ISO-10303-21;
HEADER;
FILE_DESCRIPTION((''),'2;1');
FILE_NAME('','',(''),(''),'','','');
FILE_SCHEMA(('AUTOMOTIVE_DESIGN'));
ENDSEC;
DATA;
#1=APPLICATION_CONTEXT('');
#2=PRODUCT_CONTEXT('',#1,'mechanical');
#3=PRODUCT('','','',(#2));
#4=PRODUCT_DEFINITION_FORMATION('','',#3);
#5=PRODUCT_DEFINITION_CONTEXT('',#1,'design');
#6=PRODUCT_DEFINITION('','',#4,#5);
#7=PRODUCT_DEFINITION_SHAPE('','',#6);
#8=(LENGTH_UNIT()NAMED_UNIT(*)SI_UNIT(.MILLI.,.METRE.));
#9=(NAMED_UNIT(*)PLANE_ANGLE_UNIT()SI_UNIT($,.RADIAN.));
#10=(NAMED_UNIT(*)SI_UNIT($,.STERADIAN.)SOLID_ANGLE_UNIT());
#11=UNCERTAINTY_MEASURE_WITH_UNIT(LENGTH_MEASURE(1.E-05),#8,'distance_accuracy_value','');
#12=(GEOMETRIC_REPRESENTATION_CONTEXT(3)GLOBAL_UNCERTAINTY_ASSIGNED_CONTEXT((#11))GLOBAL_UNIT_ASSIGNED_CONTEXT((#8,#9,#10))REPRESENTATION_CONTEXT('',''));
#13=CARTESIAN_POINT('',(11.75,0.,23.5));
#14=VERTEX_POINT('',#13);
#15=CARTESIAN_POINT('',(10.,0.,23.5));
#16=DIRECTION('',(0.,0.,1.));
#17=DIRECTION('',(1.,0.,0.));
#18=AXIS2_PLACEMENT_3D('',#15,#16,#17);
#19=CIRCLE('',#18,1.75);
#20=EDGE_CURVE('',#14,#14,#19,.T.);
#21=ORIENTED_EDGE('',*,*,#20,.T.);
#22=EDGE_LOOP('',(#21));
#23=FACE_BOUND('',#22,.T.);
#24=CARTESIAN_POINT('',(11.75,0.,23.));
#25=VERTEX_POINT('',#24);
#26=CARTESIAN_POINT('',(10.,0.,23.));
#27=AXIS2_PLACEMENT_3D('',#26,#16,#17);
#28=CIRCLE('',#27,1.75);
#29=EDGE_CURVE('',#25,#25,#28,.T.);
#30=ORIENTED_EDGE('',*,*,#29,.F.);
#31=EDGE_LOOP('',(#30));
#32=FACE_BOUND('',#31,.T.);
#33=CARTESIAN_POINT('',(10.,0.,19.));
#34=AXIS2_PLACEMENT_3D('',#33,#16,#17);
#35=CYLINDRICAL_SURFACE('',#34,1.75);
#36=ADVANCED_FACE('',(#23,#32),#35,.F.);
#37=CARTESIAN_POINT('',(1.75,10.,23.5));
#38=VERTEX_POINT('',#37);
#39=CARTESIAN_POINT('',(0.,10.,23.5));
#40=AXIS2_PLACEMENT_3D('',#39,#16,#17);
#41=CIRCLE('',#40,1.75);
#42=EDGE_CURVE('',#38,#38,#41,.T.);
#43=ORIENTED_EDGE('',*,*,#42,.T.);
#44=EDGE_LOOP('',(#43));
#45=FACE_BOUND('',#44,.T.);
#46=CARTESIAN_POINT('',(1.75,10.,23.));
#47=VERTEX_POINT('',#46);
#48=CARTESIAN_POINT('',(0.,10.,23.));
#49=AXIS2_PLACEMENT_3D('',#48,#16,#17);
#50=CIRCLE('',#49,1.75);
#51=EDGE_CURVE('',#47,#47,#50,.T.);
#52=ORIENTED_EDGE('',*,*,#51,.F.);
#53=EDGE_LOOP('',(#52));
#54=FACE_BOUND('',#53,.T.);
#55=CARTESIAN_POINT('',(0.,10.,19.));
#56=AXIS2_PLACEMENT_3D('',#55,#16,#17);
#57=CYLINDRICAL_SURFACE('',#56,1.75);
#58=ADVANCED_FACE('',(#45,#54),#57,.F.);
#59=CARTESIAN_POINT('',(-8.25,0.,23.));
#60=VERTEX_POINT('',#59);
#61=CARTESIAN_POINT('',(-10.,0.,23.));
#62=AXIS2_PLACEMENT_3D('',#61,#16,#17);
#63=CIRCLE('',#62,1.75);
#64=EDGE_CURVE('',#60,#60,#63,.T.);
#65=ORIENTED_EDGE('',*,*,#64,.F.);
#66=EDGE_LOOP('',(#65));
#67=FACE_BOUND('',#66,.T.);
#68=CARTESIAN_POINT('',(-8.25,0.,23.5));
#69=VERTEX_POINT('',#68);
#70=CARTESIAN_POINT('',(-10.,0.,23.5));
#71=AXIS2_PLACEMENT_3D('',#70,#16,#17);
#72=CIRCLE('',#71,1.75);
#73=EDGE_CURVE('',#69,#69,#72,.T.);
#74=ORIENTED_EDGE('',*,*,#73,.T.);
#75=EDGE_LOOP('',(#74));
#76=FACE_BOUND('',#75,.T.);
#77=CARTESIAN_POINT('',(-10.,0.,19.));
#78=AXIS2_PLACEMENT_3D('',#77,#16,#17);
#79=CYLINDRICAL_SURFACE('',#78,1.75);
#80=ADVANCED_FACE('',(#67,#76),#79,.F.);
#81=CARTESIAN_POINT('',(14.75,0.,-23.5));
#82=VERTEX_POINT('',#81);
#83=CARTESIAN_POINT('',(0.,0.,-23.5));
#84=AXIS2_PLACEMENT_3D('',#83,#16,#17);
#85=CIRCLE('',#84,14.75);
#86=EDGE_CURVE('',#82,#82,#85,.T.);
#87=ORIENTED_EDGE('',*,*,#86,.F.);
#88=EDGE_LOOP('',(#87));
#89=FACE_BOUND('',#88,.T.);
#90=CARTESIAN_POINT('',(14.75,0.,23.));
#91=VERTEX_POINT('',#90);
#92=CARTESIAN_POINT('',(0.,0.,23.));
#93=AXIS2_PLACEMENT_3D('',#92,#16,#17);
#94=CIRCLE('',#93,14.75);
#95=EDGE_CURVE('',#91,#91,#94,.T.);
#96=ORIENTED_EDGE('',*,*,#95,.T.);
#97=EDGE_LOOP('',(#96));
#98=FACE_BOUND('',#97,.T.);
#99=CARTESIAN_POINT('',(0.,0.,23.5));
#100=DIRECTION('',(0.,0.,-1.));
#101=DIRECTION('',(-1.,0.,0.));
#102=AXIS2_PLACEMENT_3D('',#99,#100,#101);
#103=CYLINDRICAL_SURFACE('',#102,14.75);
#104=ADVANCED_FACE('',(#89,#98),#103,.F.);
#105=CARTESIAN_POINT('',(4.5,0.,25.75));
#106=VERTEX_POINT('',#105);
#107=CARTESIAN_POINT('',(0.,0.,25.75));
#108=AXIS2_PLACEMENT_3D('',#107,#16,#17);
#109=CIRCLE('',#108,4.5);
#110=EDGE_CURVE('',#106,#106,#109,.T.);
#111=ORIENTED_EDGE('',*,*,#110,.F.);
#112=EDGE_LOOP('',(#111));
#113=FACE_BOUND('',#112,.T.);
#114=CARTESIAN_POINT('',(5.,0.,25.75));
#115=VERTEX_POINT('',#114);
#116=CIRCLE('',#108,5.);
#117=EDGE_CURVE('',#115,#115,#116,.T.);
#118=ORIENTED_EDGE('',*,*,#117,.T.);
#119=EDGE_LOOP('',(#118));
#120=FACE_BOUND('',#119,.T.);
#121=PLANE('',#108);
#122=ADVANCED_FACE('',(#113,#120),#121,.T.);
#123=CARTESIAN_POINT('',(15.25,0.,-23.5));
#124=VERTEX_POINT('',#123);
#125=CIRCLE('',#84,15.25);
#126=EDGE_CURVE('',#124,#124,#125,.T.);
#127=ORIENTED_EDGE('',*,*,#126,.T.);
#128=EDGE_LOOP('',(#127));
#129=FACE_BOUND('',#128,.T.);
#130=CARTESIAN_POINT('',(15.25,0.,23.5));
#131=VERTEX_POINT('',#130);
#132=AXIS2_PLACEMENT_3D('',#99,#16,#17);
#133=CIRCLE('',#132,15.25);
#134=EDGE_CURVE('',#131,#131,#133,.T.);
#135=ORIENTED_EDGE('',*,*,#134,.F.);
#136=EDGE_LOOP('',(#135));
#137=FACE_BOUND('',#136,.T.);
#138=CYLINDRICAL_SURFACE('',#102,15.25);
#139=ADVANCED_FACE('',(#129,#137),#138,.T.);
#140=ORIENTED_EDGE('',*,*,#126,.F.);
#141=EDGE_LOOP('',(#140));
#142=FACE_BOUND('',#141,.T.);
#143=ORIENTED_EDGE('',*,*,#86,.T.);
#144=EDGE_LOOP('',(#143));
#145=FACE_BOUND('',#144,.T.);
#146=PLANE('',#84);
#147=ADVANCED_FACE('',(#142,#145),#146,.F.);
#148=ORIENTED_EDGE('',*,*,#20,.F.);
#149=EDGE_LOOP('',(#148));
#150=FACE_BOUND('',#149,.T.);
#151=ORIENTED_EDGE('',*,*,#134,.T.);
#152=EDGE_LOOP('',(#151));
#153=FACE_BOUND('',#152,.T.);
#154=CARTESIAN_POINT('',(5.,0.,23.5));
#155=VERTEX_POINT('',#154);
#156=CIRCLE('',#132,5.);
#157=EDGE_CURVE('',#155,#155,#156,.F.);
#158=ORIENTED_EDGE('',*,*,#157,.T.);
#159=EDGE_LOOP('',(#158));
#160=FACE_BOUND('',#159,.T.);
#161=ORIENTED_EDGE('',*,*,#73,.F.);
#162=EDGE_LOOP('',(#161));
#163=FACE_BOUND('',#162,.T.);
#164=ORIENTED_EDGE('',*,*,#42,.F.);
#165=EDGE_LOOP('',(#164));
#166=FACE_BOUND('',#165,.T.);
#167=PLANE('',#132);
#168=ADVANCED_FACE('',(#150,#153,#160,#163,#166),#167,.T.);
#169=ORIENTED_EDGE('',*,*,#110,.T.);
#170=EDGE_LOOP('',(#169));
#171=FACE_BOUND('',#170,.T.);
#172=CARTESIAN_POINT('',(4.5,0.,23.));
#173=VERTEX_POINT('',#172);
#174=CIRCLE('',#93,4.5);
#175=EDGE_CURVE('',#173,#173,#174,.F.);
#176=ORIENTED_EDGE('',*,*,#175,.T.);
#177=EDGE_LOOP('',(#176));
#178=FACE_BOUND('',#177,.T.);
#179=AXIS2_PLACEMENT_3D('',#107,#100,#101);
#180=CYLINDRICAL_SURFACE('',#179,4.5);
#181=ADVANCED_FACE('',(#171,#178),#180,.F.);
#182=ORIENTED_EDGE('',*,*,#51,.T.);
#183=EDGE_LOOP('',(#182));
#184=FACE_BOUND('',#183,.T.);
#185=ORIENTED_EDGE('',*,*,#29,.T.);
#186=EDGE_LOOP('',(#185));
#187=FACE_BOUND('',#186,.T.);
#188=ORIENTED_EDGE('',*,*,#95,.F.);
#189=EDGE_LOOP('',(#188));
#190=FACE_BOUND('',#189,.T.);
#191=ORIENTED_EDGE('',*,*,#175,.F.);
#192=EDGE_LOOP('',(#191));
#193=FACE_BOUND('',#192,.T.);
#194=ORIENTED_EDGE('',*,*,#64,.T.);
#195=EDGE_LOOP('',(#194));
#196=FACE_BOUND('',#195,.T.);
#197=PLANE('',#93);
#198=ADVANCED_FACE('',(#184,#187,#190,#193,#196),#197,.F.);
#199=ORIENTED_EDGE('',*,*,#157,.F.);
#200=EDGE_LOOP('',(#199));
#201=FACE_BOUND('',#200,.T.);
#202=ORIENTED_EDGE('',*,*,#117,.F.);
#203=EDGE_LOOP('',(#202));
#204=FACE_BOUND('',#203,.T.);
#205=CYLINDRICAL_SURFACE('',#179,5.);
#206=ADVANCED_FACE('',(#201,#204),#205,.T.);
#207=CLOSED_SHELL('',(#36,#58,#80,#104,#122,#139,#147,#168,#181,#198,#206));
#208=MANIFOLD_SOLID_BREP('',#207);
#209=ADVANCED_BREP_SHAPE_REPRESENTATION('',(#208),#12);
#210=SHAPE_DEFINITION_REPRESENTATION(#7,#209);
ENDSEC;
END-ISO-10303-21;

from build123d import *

# Parameters (mm, degrees)
SKETCH1_R           = 15.25
BOSS_EXTRUDE1_DEPTH = 23.5
SKETCH2_R           = 5
BOSS_EXTRUDE2_DEPTH = 2.25
SHELL1_T            = -0.5
SKETCH3_R           = 1.75
CUT_EXTRUDE1_DEPTH  = 4.5


with BuildPart() as part:
    # Sketch1 → Boss-Extrude1 (new, symmetric)
    with BuildSketch(Plane.XY):
        Circle(SKETCH1_R)
    extrude(amount=BOSS_EXTRUDE1_DEPTH, both=True)

    # Sketch2 → Boss-Extrude2 (add, symmetric)
    with BuildSketch(Plane.XY.offset(23.5)):
        Circle(SKETCH2_R)
    extrude(amount=BOSS_EXTRUDE2_DEPTH, both=True)

    # Shell1
    shell1_openings = [part.faces().sort_by_distance(p)[0] for p in [
        (0, 0, -23.5),
        (0, 0, 25.75),
    ]]
    offset(amount=SHELL1_T, openings=shell1_openings, kind=Kind.INTERSECTION)

    # Sketch3 → Cut-Extrude1 (cut)
    with BuildSketch(Plane.XY.offset(23.5)):
        with Locations((-10, 0)):
            Circle(SKETCH3_R)
        with Locations((0, 10)):
            Circle(SKETCH3_R)
        with Locations((10, 0)):
            Circle(SKETCH3_R)
    extrude(amount=-CUT_EXTRUDE1_DEPTH, mode=Mode.SUBTRACT)


solid = part.part
